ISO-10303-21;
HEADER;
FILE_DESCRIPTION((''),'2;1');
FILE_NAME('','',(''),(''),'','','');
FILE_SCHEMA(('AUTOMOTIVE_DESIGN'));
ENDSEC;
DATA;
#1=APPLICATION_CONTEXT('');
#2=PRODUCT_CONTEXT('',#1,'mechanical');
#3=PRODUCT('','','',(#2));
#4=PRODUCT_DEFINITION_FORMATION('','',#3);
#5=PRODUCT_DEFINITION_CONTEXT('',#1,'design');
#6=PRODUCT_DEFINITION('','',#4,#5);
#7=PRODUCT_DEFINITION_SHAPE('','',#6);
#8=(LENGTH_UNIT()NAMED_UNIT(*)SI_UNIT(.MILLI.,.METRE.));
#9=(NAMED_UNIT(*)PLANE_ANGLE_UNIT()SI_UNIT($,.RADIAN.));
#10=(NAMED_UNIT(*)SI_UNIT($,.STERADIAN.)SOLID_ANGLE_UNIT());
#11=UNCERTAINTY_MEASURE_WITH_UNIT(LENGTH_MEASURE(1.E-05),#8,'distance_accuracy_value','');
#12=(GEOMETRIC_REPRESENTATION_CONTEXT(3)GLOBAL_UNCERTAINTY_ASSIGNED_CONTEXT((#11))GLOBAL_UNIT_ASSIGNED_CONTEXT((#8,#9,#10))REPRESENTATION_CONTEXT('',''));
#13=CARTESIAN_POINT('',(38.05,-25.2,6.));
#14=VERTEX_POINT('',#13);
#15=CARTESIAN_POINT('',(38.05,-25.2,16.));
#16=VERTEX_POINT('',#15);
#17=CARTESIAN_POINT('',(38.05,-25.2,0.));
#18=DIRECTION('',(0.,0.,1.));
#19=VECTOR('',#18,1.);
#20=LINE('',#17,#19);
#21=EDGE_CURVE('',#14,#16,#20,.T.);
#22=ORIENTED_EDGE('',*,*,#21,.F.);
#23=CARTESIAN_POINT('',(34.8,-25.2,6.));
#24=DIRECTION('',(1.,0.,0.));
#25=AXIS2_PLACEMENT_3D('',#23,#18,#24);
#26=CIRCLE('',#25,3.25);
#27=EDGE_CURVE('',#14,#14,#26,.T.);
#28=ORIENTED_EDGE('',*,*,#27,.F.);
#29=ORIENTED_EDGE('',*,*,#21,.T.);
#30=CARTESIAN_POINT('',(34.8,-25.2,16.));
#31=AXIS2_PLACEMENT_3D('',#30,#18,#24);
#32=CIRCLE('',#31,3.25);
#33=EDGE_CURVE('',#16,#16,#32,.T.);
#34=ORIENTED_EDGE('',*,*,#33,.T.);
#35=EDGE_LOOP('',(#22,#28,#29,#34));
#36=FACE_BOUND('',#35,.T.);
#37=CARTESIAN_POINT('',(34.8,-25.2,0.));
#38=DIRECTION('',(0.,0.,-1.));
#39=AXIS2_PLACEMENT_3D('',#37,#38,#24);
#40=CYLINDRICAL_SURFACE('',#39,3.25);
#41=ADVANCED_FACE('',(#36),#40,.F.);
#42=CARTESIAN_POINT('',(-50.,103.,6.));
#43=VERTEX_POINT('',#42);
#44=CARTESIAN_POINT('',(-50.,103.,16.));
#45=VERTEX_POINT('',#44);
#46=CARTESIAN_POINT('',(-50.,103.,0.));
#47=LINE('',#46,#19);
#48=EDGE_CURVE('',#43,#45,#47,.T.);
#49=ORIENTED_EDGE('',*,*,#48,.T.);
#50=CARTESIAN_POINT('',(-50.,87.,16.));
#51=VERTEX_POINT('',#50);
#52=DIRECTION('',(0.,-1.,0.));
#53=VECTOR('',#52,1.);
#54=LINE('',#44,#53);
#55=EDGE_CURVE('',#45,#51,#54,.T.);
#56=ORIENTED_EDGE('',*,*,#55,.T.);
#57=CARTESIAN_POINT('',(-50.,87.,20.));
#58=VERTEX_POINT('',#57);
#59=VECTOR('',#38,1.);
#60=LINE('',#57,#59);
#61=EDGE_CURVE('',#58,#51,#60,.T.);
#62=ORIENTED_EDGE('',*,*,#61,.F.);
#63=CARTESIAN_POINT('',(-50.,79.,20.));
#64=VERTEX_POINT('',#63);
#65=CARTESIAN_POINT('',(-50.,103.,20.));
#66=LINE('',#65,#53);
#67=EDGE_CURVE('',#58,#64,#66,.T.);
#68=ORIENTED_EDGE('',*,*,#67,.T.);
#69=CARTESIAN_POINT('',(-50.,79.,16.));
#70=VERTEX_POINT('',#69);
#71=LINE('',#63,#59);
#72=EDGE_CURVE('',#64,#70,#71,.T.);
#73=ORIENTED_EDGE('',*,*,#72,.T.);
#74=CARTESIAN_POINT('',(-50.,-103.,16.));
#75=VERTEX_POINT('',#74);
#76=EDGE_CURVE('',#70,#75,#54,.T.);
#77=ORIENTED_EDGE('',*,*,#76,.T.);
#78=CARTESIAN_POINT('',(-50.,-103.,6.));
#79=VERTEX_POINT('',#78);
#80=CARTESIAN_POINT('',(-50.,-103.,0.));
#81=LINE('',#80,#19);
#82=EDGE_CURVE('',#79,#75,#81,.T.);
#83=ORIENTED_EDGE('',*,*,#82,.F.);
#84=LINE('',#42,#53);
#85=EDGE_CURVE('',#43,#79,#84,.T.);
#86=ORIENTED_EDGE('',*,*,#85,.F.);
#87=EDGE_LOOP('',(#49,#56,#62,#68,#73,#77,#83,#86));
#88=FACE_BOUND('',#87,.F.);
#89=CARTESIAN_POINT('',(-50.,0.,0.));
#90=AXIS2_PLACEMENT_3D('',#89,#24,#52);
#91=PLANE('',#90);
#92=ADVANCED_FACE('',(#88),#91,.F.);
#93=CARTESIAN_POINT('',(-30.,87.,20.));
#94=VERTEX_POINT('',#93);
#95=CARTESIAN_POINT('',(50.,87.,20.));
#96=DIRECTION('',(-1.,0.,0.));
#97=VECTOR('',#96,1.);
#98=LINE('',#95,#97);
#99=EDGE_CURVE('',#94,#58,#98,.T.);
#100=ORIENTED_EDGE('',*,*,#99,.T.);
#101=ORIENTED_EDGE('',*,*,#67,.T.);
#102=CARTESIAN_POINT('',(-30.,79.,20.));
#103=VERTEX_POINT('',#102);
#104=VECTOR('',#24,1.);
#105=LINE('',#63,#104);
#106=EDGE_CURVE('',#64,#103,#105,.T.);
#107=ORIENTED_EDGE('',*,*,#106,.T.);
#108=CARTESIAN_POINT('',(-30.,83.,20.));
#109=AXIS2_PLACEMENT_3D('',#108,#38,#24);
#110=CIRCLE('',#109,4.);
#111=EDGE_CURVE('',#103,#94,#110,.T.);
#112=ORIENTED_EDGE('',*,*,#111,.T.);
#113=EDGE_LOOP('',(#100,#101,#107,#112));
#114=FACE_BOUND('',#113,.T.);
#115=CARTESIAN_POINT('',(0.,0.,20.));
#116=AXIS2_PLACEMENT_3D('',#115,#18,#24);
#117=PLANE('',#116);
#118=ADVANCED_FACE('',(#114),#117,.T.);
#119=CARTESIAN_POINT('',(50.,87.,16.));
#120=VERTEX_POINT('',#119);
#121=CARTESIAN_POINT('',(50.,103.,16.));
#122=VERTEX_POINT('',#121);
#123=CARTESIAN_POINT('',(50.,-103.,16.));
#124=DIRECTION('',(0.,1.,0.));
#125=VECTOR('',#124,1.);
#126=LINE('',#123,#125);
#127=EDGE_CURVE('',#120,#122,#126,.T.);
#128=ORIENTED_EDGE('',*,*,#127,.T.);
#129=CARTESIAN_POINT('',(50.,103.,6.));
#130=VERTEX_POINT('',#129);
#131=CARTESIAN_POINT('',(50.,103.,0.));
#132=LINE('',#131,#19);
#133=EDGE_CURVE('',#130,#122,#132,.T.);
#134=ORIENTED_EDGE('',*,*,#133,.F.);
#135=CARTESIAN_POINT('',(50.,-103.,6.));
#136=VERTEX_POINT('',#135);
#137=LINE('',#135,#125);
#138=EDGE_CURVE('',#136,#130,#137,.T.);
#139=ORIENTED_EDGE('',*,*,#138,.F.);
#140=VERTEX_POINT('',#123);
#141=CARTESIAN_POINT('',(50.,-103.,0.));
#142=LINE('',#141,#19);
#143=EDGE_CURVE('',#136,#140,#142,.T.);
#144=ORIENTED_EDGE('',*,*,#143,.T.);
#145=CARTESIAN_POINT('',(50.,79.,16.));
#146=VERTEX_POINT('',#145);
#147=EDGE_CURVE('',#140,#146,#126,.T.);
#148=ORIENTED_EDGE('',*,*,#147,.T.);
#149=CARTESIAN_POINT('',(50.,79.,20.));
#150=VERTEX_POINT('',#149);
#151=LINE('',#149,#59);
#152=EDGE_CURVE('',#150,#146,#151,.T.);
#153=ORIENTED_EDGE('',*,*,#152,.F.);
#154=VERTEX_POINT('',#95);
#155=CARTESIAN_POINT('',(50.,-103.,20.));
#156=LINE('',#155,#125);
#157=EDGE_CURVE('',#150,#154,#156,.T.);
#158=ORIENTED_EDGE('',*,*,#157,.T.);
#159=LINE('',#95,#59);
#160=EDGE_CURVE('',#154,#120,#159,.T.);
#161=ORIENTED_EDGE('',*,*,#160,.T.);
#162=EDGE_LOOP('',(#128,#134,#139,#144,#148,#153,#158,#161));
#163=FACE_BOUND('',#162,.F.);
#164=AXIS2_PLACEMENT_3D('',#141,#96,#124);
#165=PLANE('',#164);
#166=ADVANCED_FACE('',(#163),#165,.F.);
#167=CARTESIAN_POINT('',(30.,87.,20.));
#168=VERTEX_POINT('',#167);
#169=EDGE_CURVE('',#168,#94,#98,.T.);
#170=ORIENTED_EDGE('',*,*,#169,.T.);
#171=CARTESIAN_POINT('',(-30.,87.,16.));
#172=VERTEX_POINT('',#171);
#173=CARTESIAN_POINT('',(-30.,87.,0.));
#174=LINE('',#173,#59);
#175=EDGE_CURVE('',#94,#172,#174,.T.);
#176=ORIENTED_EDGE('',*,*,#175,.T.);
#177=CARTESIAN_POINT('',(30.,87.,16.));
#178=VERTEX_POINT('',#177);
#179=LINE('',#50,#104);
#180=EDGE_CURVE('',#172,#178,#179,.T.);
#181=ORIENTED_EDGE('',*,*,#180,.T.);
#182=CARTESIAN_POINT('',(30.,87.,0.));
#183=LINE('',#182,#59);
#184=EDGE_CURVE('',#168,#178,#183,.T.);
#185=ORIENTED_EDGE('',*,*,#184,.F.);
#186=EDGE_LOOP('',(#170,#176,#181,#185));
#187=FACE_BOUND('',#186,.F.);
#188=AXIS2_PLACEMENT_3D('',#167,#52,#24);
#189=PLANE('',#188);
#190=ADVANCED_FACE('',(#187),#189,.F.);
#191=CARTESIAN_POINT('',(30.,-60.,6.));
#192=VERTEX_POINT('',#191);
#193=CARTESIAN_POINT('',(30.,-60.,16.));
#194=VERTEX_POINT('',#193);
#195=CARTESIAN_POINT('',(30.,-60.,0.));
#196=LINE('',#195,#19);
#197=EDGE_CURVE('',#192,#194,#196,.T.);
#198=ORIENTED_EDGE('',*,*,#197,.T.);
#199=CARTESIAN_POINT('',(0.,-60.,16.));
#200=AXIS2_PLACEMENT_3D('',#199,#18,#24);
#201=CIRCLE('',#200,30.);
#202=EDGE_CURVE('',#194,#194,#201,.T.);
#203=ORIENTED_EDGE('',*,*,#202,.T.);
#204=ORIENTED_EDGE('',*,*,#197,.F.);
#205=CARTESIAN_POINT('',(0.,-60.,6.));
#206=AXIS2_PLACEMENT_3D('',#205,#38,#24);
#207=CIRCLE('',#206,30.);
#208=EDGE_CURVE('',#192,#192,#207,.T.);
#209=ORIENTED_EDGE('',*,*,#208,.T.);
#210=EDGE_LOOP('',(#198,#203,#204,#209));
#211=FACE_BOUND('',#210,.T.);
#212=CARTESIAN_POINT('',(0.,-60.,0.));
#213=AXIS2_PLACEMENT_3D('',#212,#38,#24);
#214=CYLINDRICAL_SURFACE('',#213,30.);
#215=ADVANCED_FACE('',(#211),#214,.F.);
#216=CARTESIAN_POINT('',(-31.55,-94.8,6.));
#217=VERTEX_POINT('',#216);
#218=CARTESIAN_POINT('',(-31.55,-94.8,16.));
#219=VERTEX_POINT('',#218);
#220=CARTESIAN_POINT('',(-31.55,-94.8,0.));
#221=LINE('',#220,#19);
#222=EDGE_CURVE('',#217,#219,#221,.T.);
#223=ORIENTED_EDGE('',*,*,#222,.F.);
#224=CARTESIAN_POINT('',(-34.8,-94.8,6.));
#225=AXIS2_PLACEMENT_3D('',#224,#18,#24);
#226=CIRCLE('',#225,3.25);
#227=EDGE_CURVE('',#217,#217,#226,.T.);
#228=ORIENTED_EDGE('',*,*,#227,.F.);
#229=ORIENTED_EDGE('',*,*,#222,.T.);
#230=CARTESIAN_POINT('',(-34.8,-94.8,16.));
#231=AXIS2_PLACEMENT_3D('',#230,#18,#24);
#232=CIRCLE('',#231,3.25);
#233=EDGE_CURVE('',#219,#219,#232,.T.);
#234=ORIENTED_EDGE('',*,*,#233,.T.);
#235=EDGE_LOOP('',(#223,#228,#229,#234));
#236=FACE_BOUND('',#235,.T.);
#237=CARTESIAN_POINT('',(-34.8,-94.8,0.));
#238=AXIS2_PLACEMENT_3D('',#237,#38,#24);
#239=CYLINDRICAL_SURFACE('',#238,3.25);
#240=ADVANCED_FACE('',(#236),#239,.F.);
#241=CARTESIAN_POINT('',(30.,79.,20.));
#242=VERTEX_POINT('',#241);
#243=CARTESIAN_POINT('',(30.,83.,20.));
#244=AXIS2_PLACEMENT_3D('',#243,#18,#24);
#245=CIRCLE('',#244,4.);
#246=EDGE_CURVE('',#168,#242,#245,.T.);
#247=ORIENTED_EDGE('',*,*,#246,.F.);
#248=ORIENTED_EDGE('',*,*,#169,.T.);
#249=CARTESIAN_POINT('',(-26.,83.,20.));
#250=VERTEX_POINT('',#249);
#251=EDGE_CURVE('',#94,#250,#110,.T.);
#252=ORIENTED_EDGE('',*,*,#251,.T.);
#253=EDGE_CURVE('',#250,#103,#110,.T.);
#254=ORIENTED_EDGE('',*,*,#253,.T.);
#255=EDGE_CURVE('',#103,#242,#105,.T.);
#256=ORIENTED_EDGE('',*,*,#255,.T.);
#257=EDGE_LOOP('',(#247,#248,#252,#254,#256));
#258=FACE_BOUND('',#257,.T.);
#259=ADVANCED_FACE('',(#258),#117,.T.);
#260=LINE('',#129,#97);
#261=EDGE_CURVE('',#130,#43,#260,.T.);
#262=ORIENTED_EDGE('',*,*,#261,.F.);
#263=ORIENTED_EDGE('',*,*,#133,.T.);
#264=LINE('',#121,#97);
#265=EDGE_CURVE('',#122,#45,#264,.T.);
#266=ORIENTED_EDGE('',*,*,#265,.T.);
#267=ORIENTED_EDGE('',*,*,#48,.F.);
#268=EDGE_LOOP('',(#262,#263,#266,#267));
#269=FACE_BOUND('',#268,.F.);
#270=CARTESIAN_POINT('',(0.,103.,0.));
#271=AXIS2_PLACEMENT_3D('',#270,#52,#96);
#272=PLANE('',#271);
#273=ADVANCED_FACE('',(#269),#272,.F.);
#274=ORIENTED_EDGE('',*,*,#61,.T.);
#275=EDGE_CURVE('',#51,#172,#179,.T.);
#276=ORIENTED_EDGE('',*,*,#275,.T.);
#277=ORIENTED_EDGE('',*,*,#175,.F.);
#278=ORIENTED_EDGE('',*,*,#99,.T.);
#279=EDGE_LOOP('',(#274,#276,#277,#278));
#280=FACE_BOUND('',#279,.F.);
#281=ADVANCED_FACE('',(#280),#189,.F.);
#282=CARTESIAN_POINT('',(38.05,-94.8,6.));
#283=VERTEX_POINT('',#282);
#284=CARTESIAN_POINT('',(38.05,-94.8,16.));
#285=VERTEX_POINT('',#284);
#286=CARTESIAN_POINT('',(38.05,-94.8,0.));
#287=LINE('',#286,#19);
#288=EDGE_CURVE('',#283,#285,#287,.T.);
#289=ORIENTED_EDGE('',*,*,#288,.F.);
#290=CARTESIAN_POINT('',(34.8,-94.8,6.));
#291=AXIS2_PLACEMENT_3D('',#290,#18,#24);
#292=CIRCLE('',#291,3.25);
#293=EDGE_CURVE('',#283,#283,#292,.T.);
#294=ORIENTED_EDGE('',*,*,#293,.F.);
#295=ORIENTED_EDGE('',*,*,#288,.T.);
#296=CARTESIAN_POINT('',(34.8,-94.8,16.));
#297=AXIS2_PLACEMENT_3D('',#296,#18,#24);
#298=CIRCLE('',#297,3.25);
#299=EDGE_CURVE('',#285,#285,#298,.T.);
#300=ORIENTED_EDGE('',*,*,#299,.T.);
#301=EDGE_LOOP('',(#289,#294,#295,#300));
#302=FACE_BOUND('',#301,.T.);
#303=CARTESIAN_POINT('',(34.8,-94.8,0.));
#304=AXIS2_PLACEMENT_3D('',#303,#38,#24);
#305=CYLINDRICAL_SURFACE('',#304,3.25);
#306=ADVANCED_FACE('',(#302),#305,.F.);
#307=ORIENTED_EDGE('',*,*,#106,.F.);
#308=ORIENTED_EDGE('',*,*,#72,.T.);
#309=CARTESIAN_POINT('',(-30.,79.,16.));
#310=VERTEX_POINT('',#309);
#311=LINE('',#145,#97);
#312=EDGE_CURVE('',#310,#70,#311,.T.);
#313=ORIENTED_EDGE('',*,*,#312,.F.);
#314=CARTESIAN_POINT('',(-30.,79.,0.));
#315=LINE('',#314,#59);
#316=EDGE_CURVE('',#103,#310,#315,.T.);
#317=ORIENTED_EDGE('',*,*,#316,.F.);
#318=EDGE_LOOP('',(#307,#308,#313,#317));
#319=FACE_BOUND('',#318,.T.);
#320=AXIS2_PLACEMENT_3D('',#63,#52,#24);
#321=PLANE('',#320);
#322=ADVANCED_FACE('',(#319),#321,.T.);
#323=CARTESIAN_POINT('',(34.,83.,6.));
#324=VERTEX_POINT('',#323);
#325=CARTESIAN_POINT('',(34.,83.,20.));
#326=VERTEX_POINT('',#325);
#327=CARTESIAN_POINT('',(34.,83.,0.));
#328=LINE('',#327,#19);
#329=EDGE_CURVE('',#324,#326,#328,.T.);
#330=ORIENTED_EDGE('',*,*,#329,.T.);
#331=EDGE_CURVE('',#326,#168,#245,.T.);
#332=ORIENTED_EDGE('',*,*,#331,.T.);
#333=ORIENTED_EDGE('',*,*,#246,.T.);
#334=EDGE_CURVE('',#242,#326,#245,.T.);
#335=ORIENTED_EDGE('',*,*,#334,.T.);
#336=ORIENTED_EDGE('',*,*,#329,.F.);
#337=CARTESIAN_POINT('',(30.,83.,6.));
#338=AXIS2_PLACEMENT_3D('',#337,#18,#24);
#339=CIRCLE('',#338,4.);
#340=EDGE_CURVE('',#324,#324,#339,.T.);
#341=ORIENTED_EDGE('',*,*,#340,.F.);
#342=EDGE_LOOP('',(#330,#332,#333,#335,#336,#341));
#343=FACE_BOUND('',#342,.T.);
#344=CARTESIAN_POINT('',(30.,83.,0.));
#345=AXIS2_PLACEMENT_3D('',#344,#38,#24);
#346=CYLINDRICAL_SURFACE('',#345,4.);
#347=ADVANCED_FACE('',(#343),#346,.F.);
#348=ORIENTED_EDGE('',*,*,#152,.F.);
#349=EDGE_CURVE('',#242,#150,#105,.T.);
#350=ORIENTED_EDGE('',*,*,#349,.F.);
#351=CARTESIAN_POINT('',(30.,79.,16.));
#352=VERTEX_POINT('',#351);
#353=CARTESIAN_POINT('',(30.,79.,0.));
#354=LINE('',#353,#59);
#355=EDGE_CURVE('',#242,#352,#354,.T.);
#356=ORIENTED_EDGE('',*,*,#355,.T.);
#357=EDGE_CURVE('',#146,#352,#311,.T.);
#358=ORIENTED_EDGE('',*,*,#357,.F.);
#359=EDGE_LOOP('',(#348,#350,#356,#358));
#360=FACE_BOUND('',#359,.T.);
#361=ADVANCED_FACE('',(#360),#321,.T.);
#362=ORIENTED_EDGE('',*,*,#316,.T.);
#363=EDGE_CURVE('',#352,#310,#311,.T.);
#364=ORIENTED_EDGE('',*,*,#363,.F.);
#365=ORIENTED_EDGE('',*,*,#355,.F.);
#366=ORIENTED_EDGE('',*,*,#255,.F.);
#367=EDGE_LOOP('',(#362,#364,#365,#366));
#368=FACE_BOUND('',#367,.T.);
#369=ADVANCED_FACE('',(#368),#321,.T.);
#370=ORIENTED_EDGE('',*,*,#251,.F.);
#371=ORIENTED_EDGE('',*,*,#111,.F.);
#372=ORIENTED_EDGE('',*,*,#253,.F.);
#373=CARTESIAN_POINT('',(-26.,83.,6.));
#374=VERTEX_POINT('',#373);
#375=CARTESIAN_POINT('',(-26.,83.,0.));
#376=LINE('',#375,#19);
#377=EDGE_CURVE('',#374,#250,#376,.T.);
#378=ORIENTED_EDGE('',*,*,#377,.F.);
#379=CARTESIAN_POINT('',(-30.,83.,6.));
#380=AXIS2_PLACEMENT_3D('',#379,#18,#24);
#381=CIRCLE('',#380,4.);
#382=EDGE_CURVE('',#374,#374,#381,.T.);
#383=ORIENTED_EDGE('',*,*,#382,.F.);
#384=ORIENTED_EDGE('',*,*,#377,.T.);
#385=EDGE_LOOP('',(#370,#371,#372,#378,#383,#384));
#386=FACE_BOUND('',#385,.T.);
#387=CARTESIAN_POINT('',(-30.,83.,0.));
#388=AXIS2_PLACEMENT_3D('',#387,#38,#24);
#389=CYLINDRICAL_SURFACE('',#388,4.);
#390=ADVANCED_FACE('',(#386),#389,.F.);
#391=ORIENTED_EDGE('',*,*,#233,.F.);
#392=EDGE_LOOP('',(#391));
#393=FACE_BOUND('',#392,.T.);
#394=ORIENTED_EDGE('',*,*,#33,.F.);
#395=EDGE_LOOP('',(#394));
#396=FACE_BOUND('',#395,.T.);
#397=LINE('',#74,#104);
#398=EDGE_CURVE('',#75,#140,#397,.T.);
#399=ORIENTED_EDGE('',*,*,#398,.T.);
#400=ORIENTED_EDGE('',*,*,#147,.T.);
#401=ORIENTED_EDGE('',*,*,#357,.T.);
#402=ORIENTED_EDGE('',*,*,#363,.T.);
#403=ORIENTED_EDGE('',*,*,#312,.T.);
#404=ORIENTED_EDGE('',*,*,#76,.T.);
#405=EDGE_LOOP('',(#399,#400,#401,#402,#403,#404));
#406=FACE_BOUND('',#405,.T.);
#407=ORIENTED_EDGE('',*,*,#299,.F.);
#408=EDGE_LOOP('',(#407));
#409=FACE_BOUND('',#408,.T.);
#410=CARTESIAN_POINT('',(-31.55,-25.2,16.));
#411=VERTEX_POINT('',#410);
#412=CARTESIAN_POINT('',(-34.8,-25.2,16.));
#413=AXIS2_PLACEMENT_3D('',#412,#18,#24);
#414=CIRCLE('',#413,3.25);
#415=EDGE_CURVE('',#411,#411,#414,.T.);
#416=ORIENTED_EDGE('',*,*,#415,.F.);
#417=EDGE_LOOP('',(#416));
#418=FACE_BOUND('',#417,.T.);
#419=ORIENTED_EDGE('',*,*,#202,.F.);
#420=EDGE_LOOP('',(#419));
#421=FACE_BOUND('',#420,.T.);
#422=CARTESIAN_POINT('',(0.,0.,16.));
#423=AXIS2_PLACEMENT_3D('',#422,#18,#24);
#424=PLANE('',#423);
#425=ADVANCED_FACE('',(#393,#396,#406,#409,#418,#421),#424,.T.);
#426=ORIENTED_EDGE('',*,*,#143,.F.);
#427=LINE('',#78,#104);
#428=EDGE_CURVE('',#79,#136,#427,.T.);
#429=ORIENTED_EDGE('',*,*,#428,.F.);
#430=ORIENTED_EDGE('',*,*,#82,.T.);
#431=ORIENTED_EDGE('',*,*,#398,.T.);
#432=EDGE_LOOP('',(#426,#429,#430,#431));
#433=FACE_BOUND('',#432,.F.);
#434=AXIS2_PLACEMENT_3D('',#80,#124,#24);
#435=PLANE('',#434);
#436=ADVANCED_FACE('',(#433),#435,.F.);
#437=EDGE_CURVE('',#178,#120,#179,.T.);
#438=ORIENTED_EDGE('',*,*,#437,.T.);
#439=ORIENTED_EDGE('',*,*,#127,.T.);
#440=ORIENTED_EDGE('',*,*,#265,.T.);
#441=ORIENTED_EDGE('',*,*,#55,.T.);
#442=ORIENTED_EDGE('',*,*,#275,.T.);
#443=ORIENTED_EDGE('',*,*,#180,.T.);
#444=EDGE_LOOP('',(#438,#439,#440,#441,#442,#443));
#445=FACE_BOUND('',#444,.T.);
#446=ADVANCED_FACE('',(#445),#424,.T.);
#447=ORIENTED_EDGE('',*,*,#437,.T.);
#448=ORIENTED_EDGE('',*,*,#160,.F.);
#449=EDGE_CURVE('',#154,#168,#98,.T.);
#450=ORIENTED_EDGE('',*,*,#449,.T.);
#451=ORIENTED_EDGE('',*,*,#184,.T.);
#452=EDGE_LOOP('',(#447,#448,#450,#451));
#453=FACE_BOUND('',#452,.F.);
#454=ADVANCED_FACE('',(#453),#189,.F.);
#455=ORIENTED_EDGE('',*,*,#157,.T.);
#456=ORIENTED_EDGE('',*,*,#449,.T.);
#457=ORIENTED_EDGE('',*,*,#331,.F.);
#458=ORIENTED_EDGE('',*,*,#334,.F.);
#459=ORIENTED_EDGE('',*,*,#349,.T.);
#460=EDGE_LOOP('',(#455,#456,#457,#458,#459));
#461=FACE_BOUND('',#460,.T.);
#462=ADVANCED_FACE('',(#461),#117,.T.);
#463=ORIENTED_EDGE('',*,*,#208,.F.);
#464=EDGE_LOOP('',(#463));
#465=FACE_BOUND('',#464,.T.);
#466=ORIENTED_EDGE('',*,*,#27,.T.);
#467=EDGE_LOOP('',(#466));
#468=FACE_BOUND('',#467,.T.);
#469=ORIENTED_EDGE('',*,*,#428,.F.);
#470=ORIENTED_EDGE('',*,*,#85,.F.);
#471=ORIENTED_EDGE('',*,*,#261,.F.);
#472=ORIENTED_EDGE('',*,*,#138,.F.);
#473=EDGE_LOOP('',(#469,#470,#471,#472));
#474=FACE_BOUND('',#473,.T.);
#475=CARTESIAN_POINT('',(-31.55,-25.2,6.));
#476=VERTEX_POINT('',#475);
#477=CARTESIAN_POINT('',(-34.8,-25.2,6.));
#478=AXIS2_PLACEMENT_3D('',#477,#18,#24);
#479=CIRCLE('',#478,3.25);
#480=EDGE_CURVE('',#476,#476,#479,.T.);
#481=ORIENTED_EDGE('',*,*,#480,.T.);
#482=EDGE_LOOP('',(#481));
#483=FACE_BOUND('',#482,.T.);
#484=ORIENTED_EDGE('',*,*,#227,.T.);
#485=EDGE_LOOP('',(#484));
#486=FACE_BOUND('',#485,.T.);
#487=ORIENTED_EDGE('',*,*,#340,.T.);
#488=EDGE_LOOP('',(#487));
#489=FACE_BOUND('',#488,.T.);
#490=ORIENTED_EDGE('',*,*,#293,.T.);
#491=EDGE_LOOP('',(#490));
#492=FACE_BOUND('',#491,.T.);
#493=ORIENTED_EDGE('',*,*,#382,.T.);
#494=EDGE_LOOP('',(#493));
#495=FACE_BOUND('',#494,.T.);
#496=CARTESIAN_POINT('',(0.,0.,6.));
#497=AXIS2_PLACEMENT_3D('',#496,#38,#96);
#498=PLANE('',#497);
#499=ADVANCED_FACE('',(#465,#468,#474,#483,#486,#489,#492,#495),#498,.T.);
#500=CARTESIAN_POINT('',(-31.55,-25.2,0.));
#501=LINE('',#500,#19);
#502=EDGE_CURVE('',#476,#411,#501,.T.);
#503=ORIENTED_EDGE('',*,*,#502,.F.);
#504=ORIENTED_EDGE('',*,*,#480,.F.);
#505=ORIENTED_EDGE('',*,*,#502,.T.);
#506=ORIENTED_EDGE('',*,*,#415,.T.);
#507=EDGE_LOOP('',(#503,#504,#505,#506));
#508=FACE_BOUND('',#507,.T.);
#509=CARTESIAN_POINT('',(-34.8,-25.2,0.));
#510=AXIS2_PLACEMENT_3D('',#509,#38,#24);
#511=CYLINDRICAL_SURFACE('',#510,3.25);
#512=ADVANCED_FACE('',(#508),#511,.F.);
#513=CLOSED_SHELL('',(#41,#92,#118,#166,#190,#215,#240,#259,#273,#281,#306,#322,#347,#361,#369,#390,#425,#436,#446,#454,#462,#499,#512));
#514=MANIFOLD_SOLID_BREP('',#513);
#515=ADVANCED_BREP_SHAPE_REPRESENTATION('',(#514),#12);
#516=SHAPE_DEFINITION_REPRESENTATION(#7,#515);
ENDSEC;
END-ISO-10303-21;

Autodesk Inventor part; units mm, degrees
ref_plane "YZ Plane" through (0, 0, 0) normal (1, 0, 0) x (0, 1, 0)
ref_plane "XZ Plane" through (0, 0, 0) normal (0, 1, 0) x (-1, 0, 0)
ref_plane "XY Plane" through (0, 0, 0) normal (0, 0, 1) x (1, 0, 0)
sketch "Sketch1" plane through (0, 0, 0) normal (0, 0, 1) x (1, 0, 0)
  line L0 (0, 144.2) -> (0, -144.2) projected
  line L1 (-70, 0) -> (70, 0) projected
  line L2 (-50, -103) -> (50, -103)
  line L3 (50, -103) -> (50, 103)
  line L4 (50, 103) -> (-50, 103)
  line L5 (-50, 103) -> (-50, -103)
  circle A0 centre (0, -60) radius 30
  circle A1 centre (-30, 83) radius 4
  circle A2 centre (30, 83) radius 4
  circle A3 centre (34.8, -94.8) radius 3.25
  circle A4 centre (34.8, -25.2) radius 3.25
  circle A5 centre (-34.8, -25.2) radius 3.25
  circle A6 centre (-34.8, -94.8) radius 3.25
  line L6 (-30, 83) -> (-30, 79)
  line L7 (0, -60) -> (0, -30)
  point P0 (0, 0)
  dimension "d2" = 60
  dimension "d4" = 8
  dimension "d0" = 100
  dimension "d1" = 206
  dimension "d3" = 43
  dimension "d5" = 8
  dimension "d6" = 20
  dimension "d7" = 20
  dimension "d8" = 20
  dimension "d9" = 20
  dimension "d10" = 6.5
  dimension "d11" = 6.5
  dimension "d12" = 6.5
  dimension "d13" = 6.5
  dimension "d14" = 69.6
  dimension "d15" = 69.6
  dimension "d16" = 69.6
  dimension "d17" = 69.6
  dimension "d18" = 0
  dimension "d19" = 0
  dimension "d20" = 34.8
  dimension "d21" = 34.8
  dimension "d22" = 109
extrude "Extrusion1" add sketch "Sketch1" along normal blind 20 contours A0 L0 L2 L5 L1 | L0 L1 L3 L2 A0 | L1 L5 L4 L0 | L0 L4 L3 L1
sketch "Sketch2" plane through (0, 0, 20) normal (0, 0, 1) x (1, 0, 0)
  line L0 (50, 103) -> (-50, 103) projected
  line L1 (-50, 103) -> (-50, -103) projected
  line L2 (-50, -103) -> (50, -103) projected
  line L3 (50, -103) -> (50, 103) projected
  circle A0 centre (30, 83) radius 4 projected
  circle A1 centre (34.8, -25.2) radius 3.25 projected
  circle A2 centre (34.8, -94.8) radius 3.25 projected
  circle A3 centre (-34.8, -94.8) radius 3.25 projected
  circle A4 centre (-34.8, -25.2) radius 3.25 projected
  circle A5 centre (-30, 83) radius 4 projected
  circle A6 centre (0, -60) radius 30 projected
  line L4 (-50, 103) -> (-50, -103) projected
  line L5 (-50, 83) -> (50, 83)
  line L6 (-50, 87) -> (50, 87)
  line L7 (-50, 79) -> (50, 79)
  point P0 (0, 0)
  point P1 (50, 79)
  point P2 (-50, 79)
  point P3 (-50, 87)
  point P4 (50, 87)
  dimension "d25" = 4
  dimension "d26" = 4
extrude "Extrusion2" cut sketch "Sketch2" against normal blind 4 contours L3 L6 L1 L0 | L3 L2 L1 L7
sketch "Sketch3" plane through (0, 0, 0) normal (0, 0, -1) x (-1, 0, 0)
  line L0 (-50, 103) -> (50, 103) projected
  line L1 (-50, -103) -> (-50, 103) projected
  line L2 (50, -103) -> (-50, -103) projected
  line L3 (50, 103) -> (50, -103) projected
  circle A0 centre (-30, 83) radius 4 projected
  circle A1 centre (-34.8, -25.2) radius 3.25 projected
  circle A2 centre (-34.8, -94.8) radius 3.25 projected
  circle A3 centre (34.8, -94.8) radius 3.25 projected
  circle A4 centre (34.8, -25.2) radius 3.25 projected
  circle A5 centre (30, 83) radius 4 projected
  circle A6 centre (0, -60) radius 30 projected
  point P0 (0, 0)
extrude "Extrusion3" cut sketch "Sketch3" against normal blind 6
properties part number "motor mount upper"
